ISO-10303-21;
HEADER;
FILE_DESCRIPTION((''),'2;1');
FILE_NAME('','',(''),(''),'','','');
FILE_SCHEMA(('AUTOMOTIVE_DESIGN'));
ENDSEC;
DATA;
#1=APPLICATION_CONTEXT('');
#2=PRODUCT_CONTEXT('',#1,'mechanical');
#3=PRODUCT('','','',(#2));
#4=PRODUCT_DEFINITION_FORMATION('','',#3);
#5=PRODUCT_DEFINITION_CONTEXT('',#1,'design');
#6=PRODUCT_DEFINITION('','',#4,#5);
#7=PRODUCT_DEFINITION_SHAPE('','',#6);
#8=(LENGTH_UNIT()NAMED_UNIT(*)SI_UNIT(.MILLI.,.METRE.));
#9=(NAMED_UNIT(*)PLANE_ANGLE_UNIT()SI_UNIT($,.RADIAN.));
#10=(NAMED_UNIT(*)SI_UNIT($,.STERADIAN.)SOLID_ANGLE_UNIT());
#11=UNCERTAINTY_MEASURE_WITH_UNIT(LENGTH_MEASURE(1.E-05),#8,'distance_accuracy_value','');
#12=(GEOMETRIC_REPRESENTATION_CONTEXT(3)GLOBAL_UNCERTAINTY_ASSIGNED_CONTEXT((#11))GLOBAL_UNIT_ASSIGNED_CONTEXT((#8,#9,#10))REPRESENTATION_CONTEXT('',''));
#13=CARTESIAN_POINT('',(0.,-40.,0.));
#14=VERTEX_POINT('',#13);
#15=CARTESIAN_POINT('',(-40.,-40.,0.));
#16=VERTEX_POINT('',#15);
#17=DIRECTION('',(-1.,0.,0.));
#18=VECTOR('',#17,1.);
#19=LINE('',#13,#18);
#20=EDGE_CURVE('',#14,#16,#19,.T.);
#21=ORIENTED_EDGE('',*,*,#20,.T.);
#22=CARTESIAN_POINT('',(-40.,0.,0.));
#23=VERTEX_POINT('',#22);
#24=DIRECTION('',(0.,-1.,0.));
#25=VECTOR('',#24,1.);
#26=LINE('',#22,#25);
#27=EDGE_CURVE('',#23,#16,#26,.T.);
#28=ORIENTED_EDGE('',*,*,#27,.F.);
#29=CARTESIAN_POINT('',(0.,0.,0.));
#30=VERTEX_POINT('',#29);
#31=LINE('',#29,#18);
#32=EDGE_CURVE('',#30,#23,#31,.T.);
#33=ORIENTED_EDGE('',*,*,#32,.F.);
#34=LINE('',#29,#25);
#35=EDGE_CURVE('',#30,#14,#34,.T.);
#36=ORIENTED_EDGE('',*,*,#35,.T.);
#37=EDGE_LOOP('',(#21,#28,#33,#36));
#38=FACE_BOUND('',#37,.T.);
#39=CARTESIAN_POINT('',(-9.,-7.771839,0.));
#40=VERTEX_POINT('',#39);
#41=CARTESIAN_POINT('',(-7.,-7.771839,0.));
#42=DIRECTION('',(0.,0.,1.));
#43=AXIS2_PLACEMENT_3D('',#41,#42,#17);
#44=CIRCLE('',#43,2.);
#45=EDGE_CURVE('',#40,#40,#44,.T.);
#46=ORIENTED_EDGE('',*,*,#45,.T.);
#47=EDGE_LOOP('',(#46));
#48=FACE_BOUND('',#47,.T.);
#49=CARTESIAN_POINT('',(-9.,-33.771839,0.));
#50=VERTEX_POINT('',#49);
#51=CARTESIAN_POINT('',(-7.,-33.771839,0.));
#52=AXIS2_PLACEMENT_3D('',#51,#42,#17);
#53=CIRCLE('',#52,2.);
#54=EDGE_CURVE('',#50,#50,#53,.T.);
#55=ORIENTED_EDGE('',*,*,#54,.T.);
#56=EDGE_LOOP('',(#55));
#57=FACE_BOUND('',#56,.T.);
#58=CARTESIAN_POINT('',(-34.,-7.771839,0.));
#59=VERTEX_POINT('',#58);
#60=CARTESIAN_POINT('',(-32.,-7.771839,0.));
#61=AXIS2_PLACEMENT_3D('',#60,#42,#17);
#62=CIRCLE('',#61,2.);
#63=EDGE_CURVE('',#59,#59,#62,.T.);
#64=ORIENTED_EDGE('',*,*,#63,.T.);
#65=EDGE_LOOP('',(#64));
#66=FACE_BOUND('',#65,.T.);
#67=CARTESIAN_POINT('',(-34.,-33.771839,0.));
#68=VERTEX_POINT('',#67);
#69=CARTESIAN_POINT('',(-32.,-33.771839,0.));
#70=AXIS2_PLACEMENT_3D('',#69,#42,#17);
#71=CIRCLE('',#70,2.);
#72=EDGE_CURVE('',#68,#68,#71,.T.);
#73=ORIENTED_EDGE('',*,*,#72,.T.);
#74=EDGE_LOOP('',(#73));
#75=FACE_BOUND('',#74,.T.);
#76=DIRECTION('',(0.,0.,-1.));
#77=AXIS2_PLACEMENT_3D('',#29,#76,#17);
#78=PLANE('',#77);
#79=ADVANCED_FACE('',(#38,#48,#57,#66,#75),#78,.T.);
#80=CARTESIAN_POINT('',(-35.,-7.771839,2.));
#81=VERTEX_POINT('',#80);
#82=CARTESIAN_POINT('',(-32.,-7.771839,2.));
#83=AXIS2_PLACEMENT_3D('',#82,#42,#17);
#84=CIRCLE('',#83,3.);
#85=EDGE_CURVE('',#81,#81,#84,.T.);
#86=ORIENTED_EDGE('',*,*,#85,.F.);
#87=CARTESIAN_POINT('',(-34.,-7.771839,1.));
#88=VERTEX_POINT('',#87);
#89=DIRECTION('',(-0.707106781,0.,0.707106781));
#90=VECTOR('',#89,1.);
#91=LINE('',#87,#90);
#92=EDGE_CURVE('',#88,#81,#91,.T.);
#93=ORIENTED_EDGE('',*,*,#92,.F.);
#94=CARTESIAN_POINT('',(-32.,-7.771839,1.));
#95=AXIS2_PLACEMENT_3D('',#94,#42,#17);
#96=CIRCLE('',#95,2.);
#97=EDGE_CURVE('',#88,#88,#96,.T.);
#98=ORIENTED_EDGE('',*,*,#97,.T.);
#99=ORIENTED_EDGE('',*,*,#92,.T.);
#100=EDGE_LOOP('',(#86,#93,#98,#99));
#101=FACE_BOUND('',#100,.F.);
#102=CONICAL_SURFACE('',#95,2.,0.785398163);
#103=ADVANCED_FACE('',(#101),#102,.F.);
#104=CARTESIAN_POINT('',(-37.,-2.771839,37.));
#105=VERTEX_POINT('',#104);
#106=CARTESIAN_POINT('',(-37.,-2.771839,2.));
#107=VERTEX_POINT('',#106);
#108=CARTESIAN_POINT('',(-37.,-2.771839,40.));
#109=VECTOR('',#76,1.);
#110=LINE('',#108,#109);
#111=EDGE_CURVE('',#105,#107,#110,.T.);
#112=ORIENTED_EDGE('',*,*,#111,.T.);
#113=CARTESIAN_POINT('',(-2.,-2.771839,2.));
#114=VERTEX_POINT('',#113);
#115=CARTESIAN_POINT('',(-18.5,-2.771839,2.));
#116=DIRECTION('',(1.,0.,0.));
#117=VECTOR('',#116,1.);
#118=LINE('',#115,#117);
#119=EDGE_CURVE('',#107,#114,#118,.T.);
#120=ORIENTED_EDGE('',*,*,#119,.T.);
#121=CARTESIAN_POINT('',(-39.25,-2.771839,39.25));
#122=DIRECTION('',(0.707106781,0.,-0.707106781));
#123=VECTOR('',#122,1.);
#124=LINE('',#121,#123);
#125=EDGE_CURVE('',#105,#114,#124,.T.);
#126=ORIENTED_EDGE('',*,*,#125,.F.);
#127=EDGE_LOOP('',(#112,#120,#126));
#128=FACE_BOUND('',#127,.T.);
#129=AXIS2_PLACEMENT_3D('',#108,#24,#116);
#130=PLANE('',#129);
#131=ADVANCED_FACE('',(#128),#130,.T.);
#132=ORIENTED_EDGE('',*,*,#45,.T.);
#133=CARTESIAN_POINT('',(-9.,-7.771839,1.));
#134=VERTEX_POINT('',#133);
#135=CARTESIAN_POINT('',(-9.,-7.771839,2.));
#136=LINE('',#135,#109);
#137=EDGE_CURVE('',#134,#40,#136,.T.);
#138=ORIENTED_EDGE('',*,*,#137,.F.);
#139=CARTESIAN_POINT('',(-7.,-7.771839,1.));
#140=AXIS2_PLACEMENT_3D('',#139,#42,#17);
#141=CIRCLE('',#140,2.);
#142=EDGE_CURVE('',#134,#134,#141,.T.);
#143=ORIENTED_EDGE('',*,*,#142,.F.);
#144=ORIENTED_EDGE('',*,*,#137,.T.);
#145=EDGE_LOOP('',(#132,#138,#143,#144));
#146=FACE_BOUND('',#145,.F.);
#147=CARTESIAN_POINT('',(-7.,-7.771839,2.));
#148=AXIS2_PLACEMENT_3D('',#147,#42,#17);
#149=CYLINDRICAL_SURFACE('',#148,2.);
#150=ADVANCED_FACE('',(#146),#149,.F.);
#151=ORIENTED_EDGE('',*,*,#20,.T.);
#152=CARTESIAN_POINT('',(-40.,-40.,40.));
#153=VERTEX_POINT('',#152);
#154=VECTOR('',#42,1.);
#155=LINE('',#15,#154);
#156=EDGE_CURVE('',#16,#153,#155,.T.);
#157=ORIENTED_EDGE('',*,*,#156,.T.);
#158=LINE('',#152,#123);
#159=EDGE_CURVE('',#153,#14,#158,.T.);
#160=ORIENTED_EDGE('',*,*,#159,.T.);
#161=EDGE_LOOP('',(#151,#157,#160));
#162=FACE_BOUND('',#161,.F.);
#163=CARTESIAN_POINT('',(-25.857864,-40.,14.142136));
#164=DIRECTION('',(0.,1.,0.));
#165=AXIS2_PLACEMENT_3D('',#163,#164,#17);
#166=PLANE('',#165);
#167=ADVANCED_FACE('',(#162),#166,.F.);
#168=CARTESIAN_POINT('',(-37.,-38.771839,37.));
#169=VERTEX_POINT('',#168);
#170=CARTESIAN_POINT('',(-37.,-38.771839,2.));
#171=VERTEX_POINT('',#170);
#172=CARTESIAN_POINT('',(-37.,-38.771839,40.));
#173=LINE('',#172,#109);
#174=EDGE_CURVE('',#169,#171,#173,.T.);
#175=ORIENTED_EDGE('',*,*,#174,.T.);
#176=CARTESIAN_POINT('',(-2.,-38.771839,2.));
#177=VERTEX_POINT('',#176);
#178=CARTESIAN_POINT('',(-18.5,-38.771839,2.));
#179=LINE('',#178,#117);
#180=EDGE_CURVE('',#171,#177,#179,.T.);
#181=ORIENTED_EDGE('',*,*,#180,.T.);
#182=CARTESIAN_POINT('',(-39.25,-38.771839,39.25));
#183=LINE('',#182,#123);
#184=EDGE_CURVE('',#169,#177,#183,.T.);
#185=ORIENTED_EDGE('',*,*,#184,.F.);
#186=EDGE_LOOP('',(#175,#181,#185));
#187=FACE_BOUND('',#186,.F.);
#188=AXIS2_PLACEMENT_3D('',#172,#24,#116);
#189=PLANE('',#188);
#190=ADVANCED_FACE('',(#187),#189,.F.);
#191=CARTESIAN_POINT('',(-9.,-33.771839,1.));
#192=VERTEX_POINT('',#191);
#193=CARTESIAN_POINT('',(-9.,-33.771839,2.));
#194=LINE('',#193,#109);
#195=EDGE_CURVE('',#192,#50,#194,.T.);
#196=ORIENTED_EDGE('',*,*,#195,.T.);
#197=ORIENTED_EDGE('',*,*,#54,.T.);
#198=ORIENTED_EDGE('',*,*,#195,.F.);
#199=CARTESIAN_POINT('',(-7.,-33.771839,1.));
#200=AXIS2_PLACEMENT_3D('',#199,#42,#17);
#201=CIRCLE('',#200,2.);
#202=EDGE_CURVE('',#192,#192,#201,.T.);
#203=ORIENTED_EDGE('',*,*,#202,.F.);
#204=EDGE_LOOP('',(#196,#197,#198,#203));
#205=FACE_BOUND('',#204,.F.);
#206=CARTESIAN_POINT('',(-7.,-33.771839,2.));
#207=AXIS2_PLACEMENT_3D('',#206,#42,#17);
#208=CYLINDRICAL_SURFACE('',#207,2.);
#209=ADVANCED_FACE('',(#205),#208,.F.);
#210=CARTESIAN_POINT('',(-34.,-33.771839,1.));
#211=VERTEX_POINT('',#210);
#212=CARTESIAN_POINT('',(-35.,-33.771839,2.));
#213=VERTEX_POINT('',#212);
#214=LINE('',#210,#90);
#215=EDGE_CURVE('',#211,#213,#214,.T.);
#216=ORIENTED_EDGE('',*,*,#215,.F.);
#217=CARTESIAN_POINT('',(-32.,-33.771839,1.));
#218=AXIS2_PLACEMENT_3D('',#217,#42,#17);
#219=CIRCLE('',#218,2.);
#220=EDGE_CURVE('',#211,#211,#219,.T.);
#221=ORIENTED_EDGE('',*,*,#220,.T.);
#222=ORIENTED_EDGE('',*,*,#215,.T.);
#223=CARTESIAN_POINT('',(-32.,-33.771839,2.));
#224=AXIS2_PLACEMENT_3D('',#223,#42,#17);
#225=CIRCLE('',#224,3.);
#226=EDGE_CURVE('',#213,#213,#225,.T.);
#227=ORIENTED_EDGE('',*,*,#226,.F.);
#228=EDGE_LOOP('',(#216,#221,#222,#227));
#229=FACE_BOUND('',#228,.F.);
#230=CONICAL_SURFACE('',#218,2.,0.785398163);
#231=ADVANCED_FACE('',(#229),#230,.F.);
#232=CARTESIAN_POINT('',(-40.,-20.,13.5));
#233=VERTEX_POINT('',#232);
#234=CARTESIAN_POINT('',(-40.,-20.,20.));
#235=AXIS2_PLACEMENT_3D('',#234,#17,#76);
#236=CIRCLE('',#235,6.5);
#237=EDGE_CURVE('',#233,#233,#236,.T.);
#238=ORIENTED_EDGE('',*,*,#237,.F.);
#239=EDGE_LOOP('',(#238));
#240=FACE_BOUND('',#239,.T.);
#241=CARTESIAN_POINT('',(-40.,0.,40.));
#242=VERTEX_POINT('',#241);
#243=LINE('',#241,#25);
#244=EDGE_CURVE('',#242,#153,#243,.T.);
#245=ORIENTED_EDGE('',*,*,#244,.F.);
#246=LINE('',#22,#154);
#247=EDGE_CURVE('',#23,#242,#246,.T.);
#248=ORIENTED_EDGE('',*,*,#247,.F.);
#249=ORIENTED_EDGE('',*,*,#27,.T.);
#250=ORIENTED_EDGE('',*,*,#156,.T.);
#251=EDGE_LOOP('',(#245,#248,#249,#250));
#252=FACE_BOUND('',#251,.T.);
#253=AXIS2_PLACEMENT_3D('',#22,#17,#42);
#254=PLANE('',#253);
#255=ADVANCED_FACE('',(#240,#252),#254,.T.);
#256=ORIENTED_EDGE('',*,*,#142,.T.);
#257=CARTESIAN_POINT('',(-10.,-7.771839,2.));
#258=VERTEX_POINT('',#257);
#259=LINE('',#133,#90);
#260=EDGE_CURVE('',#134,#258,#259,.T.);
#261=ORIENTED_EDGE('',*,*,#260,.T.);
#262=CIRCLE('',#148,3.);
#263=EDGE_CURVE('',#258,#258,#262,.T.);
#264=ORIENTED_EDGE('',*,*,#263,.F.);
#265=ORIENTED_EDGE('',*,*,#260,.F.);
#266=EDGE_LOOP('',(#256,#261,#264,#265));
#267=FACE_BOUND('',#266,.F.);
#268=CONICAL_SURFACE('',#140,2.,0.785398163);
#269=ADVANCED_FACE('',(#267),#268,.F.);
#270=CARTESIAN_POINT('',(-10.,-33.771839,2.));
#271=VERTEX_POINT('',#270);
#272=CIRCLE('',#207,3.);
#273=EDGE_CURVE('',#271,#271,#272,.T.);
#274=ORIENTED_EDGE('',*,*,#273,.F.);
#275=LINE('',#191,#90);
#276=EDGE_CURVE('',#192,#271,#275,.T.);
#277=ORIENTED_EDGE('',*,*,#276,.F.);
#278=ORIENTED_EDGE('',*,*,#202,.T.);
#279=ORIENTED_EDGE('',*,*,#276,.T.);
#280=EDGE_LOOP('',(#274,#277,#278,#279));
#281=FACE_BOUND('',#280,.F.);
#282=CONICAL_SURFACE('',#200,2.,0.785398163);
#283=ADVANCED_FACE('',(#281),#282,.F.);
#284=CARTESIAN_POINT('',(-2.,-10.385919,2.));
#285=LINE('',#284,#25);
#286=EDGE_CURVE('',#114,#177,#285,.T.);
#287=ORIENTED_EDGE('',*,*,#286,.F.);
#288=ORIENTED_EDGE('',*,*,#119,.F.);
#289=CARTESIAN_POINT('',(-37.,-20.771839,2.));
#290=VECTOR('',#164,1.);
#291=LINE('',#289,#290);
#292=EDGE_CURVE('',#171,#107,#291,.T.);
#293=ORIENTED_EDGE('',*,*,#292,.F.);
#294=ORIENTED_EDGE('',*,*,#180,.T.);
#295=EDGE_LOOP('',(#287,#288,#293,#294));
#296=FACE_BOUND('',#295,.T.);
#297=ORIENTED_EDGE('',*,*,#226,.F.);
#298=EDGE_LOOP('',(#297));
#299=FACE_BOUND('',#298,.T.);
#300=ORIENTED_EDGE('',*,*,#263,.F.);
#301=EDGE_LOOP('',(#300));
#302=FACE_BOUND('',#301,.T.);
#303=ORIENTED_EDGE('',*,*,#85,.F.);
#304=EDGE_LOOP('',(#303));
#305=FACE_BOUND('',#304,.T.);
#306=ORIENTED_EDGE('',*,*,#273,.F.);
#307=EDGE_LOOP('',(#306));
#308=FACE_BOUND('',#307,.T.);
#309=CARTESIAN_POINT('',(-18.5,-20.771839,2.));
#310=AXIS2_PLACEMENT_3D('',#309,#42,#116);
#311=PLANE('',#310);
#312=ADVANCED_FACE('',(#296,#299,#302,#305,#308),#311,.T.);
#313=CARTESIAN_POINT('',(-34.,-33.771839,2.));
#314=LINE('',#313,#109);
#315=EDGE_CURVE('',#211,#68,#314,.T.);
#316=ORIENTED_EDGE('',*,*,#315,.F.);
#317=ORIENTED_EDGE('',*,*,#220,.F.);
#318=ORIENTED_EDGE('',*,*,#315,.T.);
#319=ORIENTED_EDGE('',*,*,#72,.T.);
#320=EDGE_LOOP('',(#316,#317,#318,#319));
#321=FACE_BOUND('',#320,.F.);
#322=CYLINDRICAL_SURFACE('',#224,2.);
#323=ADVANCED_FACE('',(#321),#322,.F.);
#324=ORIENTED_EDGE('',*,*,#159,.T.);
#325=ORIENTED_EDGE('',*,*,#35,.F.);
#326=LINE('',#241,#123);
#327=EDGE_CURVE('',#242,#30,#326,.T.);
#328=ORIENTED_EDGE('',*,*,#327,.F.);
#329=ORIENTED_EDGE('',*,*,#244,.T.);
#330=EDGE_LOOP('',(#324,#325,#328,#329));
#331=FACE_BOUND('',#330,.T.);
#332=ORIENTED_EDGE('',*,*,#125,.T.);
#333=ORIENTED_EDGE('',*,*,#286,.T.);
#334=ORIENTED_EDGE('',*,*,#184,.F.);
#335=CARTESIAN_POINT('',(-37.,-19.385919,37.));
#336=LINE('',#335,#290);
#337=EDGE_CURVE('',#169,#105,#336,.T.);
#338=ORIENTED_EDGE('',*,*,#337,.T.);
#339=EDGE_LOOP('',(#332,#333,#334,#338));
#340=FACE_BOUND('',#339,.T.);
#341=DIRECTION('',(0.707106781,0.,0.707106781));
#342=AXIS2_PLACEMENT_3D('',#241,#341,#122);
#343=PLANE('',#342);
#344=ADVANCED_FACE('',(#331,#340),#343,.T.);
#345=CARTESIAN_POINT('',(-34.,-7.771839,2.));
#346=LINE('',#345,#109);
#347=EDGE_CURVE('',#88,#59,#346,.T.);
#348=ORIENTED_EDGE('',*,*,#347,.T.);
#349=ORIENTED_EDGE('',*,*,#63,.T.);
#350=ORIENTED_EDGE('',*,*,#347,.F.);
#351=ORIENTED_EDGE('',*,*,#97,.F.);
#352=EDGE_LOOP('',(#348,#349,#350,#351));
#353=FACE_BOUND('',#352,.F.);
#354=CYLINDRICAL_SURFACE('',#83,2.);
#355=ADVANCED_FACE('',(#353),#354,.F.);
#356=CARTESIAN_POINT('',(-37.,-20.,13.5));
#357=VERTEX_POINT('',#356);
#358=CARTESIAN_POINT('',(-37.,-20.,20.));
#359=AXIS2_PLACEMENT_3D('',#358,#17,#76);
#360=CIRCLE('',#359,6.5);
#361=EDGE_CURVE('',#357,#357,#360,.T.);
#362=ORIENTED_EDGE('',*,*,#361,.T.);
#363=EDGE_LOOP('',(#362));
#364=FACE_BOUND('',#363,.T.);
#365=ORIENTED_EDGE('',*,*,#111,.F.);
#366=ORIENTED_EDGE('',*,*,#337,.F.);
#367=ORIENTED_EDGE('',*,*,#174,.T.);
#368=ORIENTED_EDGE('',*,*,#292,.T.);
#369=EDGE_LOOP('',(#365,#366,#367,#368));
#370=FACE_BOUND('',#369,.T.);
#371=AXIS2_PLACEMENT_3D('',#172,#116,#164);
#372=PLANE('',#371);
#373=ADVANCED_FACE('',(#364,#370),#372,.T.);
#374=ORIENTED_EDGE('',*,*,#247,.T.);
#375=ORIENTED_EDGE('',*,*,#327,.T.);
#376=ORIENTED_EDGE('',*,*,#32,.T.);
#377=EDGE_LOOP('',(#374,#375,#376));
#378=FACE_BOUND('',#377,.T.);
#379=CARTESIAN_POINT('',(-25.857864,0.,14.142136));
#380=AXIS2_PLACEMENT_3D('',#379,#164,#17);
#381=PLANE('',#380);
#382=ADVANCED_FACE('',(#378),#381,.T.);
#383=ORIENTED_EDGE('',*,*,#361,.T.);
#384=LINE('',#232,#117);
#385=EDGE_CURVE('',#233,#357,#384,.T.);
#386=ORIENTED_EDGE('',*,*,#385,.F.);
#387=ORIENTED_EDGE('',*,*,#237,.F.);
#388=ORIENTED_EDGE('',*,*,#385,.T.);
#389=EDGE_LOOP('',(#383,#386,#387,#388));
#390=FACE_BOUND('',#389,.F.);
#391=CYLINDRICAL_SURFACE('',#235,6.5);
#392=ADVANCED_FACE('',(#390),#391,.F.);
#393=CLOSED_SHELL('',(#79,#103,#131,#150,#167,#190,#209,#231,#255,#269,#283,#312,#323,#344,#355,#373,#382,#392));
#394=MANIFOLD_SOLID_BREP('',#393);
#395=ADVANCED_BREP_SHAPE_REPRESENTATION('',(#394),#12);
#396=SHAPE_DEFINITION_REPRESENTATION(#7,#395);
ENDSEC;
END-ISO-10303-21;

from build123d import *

# Parameters (mm, degrees)
PAD_DEPTH       = 40
SKETCH001_W     = 37
SKETCH001_H     = 36
POCKET_DEPTH    = 38
SKETCH002_R     = 6.5
POCKET001_DEPTH = 5
SKETCH003_R     = 2
POCKET002_DEPTH = 5
CHAMFER_SIZE    = 1


with BuildPart() as part:
    # Sketch → Pad (new body)
    with BuildSketch(Plane.XZ):
        Polygon((0, 0), (-40, 0), (-40, 40), align=None)
    extrude(amount=PAD_DEPTH)

    # Sketch001 (on DatumPlane) → Pocket (cut)
    with BuildSketch(Plane.XY.offset(40)):
        with Locations((-18.5, -20.771839)):
            Rectangle(SKETCH001_W, SKETCH001_H)
    extrude(amount=-POCKET_DEPTH, mode=Mode.SUBTRACT)

    # Sketch002 (on Face3 of Pocket) → Pocket001 (cut)
    with BuildSketch(Plane(origin=(-40, 0, 0), x_dir=(0, 0, -1), z_dir=(-1, 0, 0))):
        with Locations((-20, 20)):
            Circle(SKETCH002_R)
    extrude(amount=-POCKET001_DEPTH, mode=Mode.SUBTRACT)

    # Sketch003 (on Face9 of Pocket001) → Pocket002 (cut)
    with BuildSketch(Plane(origin=(0, 0, 2), x_dir=(-1, 0, 0), z_dir=(0, 0, 1))):
        with Locations((32, 33.771839)):
            Circle(SKETCH003_R)
        with Locations((7, 7.771839)):
            Circle(SKETCH003_R)
        with Locations((7, 33.771839)):
            Circle(SKETCH003_R)
        with Locations((32, 7.771839)):
            Circle(SKETCH003_R)
    extrude(amount=-POCKET002_DEPTH, mode=Mode.SUBTRACT)

    # Chamfer
    chamfer_edges = [part.edges().sort_by_distance(p)[0] for p in [
        (-30, -33.771839, 2),
        (-30, -7.771839, 2),
        (-5, -7.771839, 2),
        (-5, -33.771839, 2),
    ]]
    chamfer(chamfer_edges, length=CHAMFER_SIZE)


solid = part.part
